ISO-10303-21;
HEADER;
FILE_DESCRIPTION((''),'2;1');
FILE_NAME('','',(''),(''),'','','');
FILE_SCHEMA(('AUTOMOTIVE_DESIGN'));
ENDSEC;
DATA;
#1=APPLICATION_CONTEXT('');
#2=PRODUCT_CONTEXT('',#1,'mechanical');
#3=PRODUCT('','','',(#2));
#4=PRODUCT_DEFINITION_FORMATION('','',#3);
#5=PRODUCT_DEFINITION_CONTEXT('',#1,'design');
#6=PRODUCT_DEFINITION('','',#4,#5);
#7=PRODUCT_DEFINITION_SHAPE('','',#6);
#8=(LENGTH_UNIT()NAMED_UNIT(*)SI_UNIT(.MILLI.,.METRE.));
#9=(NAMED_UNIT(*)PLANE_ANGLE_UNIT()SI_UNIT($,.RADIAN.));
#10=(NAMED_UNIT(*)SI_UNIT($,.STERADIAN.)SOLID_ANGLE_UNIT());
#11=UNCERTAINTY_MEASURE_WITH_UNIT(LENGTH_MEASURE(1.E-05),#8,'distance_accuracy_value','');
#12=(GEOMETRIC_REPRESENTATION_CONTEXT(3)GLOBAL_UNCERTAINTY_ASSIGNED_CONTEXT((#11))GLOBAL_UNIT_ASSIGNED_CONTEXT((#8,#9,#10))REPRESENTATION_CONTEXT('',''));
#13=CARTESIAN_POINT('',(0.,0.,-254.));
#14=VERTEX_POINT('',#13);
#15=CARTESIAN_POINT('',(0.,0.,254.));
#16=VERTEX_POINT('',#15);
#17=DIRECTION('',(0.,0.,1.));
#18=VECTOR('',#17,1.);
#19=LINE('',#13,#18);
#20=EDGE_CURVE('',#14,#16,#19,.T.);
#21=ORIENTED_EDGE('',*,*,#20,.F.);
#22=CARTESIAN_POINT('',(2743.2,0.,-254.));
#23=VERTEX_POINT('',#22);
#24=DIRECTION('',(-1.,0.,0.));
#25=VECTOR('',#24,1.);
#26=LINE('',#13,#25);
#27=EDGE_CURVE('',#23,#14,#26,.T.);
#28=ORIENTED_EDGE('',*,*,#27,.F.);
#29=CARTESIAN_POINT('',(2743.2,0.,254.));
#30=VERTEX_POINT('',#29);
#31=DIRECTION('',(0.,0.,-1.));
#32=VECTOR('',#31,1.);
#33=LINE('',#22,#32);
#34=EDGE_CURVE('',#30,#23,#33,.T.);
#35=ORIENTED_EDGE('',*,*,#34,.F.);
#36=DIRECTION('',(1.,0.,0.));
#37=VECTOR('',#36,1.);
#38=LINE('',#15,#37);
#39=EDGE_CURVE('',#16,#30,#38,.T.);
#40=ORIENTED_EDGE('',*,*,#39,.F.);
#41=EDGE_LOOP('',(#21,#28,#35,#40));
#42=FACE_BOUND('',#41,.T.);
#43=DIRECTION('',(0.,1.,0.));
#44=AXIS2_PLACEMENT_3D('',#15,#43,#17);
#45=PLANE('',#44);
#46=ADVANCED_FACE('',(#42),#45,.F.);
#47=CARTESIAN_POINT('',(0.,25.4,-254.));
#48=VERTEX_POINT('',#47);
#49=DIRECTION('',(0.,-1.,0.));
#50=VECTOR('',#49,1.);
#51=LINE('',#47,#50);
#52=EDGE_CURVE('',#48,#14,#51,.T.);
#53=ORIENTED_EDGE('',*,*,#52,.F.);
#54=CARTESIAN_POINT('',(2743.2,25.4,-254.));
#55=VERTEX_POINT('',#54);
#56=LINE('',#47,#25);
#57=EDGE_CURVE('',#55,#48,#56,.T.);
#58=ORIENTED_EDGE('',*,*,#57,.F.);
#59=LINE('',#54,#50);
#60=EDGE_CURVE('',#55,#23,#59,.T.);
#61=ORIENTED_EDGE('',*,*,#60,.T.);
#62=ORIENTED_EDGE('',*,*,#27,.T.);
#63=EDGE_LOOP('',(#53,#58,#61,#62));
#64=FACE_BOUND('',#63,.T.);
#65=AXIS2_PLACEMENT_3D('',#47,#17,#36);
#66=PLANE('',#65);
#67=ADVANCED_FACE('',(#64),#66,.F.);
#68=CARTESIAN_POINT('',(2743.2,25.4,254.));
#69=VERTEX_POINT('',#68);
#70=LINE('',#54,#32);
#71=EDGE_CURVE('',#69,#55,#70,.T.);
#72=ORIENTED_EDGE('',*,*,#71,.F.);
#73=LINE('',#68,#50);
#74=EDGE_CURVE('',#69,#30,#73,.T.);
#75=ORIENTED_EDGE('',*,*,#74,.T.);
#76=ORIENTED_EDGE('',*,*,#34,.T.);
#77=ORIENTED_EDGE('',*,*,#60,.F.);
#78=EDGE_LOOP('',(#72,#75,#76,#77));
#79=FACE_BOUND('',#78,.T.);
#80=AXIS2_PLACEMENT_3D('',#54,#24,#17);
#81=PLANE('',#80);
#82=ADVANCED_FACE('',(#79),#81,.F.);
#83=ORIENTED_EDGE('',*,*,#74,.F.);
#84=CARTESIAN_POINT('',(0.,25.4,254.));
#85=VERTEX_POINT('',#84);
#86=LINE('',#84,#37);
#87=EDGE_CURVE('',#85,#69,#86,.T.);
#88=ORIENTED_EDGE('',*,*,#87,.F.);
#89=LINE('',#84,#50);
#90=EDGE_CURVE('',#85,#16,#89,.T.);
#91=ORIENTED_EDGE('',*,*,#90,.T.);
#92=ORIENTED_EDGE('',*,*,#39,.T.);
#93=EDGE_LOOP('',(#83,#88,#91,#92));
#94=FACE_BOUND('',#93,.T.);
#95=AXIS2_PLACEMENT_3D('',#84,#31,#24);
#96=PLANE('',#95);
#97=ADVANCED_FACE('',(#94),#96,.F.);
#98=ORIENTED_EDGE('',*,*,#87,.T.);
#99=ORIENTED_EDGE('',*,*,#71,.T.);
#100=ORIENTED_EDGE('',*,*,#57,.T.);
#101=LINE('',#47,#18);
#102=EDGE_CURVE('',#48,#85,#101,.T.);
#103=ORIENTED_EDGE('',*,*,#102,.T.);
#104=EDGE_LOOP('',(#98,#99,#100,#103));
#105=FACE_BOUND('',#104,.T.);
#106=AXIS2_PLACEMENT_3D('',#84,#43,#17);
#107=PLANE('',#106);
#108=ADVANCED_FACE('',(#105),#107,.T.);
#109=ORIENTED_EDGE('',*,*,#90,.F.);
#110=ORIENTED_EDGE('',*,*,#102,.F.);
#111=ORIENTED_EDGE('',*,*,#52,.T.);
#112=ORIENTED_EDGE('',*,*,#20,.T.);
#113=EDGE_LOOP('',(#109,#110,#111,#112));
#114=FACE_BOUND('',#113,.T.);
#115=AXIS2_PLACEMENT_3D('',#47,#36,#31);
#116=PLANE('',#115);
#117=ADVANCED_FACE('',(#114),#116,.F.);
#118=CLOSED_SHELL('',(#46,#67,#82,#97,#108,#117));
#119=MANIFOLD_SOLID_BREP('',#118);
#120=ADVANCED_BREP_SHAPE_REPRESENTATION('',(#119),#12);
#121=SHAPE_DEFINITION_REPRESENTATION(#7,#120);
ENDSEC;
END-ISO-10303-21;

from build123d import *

# Parameters (mm, degrees)
SKETCH1_W      = 2743.2
SKETCH1_H      = 508
EXTRUDE1_DEPTH = 25.4


with BuildPart() as part:
    # Sketch1 → Extrude1 (new body)
    with BuildSketch(Plane(origin=(0, 0, 0), x_dir=(1, 0, 0), z_dir=(0, 1, 0))):
        with Locations((1371.6, 0)):
            Rectangle(SKETCH1_W, SKETCH1_H)
    extrude(amount=EXTRUDE1_DEPTH)


solid = part.part
